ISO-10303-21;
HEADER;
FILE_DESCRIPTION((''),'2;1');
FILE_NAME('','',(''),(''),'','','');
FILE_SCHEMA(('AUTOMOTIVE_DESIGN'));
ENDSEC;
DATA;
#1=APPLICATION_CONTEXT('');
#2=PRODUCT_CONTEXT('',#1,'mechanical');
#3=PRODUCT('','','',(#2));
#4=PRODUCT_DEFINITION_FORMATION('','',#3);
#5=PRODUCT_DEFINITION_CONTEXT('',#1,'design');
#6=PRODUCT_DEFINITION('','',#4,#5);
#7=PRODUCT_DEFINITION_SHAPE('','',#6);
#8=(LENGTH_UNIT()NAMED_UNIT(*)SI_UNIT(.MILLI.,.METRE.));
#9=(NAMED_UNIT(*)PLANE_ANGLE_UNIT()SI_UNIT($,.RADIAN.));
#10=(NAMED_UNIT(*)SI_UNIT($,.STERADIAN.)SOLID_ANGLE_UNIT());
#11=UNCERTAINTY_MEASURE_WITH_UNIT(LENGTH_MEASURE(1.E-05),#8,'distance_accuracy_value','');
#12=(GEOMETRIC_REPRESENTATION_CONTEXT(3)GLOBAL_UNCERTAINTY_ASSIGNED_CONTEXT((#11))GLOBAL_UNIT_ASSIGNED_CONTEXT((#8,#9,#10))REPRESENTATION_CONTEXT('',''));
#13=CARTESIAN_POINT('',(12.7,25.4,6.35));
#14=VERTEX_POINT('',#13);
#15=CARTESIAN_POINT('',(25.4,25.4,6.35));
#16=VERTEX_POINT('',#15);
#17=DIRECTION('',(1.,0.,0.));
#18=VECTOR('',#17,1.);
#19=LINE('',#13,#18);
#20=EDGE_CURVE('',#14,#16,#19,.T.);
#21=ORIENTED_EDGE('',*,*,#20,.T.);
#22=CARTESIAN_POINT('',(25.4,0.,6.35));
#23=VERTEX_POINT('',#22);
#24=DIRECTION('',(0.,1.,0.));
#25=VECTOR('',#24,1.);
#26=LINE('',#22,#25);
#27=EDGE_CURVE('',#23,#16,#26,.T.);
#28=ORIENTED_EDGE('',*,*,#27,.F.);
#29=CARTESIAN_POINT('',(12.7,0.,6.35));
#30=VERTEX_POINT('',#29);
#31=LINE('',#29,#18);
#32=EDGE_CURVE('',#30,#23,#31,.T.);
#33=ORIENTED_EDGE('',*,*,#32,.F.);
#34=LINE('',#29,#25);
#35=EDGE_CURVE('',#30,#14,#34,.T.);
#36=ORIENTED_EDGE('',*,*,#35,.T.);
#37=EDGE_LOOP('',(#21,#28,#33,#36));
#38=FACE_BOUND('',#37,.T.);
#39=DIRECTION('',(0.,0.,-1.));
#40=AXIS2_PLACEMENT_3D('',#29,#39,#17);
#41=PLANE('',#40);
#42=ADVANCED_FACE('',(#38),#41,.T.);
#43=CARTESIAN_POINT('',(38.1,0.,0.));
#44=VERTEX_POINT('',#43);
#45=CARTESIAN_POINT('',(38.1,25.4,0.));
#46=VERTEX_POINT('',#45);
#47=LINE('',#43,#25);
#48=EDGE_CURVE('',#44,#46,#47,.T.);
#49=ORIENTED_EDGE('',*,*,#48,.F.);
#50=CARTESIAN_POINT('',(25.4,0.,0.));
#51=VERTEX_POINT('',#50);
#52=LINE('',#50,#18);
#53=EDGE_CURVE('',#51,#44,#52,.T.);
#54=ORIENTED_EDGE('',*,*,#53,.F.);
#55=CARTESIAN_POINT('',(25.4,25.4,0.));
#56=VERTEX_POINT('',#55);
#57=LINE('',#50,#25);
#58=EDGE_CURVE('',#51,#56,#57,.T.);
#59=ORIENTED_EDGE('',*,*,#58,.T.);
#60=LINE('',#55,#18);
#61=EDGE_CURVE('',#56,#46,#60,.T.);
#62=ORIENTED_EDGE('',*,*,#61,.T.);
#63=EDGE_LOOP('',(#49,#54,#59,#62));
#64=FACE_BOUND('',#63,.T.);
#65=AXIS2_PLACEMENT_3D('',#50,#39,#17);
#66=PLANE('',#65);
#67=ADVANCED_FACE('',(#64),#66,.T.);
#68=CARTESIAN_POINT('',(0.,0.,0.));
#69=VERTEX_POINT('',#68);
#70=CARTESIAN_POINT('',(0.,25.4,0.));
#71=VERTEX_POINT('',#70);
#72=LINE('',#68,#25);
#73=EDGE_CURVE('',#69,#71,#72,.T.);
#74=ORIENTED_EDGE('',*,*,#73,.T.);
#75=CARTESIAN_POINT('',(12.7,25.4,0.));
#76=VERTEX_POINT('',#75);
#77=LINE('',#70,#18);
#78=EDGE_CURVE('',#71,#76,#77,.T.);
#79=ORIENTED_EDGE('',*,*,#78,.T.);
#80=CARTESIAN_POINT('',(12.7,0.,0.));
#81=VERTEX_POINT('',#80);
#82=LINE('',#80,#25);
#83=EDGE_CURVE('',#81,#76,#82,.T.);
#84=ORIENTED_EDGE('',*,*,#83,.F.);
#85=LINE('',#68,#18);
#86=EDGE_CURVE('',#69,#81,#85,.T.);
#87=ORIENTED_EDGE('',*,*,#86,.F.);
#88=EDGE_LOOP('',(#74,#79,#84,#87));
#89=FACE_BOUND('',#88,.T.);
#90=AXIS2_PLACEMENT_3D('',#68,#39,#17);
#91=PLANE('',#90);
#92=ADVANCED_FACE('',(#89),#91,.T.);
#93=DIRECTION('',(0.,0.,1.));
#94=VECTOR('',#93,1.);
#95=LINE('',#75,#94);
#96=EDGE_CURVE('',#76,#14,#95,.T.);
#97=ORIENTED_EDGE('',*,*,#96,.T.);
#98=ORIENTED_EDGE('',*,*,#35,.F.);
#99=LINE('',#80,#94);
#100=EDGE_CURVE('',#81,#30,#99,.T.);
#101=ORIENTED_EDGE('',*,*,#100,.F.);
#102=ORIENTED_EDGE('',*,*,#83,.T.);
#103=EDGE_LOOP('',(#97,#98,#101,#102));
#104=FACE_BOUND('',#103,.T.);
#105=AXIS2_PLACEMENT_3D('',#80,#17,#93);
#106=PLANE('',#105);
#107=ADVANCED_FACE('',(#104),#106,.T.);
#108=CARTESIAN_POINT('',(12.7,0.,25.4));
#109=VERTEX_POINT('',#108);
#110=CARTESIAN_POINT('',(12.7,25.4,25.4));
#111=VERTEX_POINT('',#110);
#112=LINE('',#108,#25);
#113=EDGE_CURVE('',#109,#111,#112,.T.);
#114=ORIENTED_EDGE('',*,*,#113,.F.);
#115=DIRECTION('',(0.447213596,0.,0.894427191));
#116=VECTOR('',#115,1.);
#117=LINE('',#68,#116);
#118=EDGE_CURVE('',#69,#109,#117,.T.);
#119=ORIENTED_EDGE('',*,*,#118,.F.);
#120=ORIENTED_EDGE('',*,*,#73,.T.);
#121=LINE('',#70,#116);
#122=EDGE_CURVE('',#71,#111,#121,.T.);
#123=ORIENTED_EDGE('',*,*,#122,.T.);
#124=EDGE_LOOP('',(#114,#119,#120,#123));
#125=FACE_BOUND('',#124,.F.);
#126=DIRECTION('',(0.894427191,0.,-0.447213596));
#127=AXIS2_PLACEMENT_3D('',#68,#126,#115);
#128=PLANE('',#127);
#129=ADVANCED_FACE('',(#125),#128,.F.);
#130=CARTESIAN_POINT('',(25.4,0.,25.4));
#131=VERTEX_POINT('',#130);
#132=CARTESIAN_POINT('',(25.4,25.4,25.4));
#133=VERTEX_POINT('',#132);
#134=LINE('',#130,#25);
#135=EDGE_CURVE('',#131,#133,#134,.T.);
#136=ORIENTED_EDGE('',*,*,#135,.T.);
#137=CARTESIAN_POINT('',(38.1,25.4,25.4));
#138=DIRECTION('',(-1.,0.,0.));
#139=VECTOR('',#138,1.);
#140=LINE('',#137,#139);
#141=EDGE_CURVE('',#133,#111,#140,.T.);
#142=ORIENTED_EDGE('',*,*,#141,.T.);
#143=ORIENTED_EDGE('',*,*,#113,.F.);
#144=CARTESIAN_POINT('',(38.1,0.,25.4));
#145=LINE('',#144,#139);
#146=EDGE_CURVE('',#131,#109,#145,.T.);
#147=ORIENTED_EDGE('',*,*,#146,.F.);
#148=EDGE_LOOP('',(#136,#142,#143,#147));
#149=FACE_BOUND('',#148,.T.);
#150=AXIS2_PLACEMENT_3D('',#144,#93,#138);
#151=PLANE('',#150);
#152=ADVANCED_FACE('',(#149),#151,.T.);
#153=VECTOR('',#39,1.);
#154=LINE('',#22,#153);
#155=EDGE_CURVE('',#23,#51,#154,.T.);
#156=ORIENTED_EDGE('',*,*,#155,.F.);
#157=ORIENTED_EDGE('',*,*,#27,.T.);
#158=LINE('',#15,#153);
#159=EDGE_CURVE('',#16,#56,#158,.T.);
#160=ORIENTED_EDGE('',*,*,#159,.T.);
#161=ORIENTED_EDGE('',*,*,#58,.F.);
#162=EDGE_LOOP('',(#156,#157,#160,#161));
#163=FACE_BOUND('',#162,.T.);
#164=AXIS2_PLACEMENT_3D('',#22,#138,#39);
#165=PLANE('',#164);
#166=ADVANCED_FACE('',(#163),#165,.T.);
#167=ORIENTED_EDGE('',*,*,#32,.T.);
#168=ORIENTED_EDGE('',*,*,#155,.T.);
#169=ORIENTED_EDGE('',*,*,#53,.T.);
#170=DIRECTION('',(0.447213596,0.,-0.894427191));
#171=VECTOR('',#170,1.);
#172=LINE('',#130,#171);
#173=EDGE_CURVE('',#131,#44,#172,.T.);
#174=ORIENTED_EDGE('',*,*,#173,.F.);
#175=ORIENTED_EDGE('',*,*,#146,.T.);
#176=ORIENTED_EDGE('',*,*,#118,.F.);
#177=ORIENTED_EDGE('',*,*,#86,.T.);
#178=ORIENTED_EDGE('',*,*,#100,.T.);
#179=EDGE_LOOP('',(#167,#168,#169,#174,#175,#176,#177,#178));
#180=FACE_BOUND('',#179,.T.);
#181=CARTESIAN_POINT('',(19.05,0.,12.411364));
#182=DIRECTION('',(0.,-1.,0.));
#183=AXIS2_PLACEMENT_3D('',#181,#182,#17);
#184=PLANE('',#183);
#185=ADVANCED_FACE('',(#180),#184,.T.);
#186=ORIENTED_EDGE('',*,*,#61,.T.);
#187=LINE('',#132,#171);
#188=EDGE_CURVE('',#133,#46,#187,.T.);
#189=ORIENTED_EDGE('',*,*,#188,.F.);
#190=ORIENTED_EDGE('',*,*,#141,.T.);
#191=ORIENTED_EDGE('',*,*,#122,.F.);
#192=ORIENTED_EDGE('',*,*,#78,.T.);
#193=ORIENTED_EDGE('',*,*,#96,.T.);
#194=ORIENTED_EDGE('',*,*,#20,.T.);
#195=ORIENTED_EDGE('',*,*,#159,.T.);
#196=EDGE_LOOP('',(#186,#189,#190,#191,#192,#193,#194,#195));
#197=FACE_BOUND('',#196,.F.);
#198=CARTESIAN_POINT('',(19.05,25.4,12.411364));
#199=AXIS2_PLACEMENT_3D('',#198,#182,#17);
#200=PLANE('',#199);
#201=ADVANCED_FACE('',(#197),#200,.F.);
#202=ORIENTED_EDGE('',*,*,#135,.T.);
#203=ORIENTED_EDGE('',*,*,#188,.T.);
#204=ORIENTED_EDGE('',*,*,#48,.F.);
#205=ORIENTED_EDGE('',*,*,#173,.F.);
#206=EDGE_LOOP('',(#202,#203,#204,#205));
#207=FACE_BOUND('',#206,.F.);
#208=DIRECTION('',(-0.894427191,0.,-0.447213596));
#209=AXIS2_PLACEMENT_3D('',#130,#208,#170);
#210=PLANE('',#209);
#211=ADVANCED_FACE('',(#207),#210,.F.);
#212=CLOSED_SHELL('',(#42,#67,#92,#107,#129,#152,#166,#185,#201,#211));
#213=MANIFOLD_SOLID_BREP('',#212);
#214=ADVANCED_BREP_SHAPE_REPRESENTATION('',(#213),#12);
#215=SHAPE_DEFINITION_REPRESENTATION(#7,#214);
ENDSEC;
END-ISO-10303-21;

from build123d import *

# Parameters (mm, degrees)
F1_DEPTH = 25.4
F3_DEPTH = 25.4


with BuildPart() as f1:
    # F0 (on Front) → F1 (new body)
    with BuildSketch(Plane.XZ):
        Polygon((0, 25.4), (0, 0), (12.7, 0), (12.7, 6.35), (25.4, 6.35), (25.4, 0), (38.1, 0), (38.1, 25.4), align=None)
    extrude(amount=-F1_DEPTH)

    # F2 (on face) → F3 (cut)
    with BuildSketch(Plane.XZ):
        Polygon((0, 25.4), (0, 0), (12.7, 25.4), align=None)
        Polygon((38.1, 25.4), (25.4, 25.4), (38.1, 0), align=None)
    extrude(amount=-F3_DEPTH, mode=Mode.SUBTRACT)


solid = f1.part
